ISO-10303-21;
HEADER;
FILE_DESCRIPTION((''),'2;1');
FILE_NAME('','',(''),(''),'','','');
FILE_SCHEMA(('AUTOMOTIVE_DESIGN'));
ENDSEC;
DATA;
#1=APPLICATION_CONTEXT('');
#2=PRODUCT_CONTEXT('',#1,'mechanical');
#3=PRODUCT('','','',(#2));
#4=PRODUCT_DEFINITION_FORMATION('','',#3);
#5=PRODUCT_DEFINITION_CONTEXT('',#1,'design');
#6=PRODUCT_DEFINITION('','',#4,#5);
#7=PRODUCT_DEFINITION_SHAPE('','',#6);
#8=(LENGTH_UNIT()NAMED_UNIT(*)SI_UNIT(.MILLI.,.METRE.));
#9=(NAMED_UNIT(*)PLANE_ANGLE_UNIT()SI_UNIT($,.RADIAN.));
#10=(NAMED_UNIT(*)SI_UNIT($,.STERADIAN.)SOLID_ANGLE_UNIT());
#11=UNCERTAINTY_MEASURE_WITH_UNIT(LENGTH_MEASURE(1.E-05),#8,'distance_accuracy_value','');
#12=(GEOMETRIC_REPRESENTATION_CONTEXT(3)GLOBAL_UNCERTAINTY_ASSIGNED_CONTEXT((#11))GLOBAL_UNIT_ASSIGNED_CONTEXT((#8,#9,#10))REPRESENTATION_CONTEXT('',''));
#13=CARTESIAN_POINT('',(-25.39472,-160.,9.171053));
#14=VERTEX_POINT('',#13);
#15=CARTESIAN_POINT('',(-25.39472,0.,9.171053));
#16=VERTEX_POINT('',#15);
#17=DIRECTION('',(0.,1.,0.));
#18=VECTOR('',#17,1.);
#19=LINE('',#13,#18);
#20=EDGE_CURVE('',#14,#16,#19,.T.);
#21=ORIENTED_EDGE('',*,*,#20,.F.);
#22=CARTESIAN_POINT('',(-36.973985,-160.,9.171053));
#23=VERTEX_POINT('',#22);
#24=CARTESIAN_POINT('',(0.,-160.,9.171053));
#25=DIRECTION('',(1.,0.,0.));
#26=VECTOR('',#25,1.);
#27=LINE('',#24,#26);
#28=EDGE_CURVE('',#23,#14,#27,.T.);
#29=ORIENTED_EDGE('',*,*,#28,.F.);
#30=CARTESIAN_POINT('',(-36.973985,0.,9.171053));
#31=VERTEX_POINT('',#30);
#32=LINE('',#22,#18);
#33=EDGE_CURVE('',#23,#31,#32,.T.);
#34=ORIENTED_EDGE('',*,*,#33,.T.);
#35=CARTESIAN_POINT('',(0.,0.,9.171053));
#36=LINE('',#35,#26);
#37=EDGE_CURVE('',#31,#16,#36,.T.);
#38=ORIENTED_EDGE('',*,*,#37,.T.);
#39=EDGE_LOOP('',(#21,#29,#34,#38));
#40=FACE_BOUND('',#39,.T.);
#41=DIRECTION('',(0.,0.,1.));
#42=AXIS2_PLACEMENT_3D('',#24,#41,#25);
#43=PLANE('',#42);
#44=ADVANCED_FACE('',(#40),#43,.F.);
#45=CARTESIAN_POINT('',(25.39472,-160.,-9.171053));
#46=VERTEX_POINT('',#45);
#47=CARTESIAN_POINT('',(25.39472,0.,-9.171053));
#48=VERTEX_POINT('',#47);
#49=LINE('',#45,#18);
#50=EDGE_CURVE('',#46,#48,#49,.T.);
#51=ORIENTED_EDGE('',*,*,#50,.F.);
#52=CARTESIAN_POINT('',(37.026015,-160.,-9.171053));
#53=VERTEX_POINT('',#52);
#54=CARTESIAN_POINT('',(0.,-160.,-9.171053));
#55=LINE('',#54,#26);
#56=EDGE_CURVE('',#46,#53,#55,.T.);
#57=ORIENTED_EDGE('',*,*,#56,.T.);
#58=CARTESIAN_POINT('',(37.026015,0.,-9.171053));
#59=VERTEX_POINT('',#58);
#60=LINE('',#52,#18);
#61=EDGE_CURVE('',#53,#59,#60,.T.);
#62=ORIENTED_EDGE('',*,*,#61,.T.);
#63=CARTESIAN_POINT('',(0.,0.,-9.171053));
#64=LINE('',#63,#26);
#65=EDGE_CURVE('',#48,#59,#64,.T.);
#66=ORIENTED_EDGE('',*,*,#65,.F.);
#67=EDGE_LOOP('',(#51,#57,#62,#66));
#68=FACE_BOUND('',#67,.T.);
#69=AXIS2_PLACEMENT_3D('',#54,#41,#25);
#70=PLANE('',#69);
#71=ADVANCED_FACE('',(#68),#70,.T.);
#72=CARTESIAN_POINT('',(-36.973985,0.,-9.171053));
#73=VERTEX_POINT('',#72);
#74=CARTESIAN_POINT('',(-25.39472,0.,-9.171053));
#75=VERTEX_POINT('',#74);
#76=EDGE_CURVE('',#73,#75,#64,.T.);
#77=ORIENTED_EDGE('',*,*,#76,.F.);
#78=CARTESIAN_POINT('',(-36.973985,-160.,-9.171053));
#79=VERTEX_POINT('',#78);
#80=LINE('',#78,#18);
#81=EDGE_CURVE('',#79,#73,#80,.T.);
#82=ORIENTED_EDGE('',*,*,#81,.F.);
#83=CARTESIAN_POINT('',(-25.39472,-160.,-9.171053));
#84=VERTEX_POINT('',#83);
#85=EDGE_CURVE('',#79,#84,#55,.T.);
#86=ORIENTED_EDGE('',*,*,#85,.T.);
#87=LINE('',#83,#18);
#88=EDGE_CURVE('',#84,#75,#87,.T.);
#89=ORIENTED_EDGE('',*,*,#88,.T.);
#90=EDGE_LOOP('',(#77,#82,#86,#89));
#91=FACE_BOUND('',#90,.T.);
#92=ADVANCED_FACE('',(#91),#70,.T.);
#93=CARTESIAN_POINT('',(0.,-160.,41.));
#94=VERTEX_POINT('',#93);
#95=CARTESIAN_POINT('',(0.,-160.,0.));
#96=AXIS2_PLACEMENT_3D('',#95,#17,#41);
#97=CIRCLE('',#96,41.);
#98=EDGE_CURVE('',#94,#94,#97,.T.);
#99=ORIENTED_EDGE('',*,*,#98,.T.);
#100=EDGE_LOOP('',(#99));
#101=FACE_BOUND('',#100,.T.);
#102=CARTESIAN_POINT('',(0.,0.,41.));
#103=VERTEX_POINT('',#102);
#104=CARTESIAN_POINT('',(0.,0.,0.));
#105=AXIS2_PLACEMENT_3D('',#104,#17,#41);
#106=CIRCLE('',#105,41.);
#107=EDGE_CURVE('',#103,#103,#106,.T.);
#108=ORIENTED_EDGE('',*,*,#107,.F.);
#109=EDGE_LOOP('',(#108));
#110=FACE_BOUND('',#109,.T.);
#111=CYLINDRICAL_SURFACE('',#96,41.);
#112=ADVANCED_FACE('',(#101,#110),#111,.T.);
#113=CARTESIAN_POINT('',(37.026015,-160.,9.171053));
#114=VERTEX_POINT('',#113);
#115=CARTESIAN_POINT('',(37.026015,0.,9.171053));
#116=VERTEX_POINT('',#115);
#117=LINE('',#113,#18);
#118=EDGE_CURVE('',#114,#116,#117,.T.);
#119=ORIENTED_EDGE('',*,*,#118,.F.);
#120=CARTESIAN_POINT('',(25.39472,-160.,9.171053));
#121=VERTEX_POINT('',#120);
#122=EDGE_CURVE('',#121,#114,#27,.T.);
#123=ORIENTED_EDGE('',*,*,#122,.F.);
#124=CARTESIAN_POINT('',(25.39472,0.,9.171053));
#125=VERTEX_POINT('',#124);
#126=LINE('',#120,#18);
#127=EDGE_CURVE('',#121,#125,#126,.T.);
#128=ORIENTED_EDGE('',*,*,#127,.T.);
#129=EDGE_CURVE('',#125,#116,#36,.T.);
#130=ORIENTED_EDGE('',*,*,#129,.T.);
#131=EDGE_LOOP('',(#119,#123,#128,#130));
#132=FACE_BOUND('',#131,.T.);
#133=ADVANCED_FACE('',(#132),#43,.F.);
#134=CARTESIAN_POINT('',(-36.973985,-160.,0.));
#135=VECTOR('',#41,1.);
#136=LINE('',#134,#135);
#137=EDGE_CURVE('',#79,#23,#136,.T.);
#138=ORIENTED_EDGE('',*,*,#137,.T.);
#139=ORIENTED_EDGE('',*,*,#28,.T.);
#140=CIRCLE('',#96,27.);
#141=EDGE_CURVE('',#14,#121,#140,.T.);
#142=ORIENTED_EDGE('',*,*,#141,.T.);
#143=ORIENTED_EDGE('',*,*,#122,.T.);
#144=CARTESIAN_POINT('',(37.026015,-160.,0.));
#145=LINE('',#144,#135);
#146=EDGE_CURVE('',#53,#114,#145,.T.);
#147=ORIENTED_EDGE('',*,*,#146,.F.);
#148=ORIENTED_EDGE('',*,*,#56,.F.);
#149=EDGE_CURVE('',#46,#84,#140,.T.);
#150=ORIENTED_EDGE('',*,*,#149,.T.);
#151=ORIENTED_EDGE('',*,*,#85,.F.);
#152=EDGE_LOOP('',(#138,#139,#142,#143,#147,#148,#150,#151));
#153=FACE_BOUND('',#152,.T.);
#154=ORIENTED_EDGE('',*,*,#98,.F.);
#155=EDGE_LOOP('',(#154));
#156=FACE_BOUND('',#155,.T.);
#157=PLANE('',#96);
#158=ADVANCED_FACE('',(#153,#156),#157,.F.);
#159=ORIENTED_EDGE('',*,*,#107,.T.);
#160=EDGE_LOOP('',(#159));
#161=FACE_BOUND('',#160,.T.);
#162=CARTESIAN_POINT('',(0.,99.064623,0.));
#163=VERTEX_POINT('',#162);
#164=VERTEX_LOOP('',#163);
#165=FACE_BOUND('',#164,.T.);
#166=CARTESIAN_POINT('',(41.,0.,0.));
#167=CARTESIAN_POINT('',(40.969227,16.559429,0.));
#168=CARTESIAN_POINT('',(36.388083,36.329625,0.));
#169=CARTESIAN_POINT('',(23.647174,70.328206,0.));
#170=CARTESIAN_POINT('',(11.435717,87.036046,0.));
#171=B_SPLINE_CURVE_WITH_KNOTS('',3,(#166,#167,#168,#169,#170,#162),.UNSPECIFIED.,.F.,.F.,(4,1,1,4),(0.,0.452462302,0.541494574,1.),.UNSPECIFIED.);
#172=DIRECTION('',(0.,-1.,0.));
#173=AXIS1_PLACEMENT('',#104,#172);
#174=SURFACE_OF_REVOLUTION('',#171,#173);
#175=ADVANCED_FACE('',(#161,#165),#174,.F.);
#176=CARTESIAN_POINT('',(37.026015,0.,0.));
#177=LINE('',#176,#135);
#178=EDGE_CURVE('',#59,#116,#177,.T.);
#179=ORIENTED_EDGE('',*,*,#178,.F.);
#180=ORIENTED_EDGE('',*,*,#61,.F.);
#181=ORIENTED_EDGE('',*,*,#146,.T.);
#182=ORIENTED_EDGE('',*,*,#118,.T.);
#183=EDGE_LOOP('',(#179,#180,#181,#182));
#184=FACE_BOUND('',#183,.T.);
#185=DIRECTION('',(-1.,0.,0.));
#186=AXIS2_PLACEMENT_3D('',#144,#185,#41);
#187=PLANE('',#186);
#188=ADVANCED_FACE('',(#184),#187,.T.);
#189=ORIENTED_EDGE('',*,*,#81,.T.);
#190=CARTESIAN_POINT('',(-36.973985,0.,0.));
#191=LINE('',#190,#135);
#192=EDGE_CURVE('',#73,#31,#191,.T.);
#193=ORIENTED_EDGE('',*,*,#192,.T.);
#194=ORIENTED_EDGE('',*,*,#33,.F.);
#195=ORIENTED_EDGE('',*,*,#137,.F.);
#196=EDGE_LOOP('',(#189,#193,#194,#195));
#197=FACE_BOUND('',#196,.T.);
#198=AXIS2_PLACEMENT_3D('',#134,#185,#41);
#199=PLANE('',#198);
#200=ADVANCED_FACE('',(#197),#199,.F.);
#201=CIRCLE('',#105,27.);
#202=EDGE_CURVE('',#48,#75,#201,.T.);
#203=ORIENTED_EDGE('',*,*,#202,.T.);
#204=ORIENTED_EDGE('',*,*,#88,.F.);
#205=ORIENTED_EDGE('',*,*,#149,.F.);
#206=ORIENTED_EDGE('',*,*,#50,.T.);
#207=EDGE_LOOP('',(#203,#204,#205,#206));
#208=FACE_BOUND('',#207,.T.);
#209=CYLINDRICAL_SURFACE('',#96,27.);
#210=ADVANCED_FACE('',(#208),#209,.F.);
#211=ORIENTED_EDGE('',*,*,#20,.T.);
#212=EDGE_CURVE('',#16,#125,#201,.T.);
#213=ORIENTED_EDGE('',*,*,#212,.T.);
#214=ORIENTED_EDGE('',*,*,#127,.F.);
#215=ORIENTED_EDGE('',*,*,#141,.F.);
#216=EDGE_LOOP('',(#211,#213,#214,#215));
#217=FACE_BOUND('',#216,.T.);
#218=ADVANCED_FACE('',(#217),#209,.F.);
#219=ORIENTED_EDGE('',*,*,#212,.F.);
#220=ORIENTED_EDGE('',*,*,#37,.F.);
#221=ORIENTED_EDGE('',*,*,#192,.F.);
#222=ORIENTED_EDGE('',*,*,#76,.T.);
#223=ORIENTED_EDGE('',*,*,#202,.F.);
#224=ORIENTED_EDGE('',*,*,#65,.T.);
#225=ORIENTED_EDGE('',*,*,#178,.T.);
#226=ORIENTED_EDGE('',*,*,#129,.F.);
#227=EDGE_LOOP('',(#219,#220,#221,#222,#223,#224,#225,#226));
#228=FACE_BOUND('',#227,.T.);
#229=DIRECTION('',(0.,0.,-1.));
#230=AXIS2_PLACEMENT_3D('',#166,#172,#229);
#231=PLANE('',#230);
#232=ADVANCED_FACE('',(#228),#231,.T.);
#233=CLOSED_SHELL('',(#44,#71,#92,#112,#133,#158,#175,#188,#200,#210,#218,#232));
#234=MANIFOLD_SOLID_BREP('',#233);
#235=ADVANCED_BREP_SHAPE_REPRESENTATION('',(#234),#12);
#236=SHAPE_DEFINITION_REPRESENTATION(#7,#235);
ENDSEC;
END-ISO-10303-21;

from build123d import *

# Parameters (mm, degrees)
BOSS_EXTRUDE1_DEPTH = 160


with BuildPart() as part:
    # Sketch1 → Boss-Extrude1 (new body)
    with BuildSketch(Plane(origin=(0, 0, 0), x_dir=(1, 0, 0), z_dir=(0, 1, 0))):
        with BuildLine():
            ThreePointArc((41, 0), (40.739454279, 4.61485266), (39.961128533, 9.171052632))
            Line((39.961128533, 9.171052632), (37.026014985, 9.171052632))
            Line((37.026014985, 9.171052632), (37.026014985, 0))
            Line((37.026014985, 0), (41, 0))
        make_face()
        with BuildLine():
            ThreePointArc((39.961128533, -9.171052632), (40.739454279, -4.61485266), (41, 0))
            Line((41, 0), (37.026014985, 0))
            Line((37.026014985, 0), (37.026014985, -9.171052632))
            Line((37.026014985, -9.171052632), (39.961128533, -9.171052632))
        make_face()
        with BuildLine():
            Line((-36.973985015, 0), (-41, 0))
            ThreePointArc((-41, 0), (-40.739454279, -4.61485266), (-39.961128533, -9.171052632))
            Line((-39.961128533, -9.171052632), (-36.973985015, -9.171052632))
            Line((-36.973985015, -9.171052632), (-36.973985015, 0))
        make_face()
        with BuildLine():
            Line((-25.394719798, -9.171052632), (-36.973985015, -9.171052632))
            Line((-36.973985015, -9.171052632), (-36.973985015, -17.717912748))
            ThreePointArc((-36.973985015, -17.717912748), (4.526915182, -40.74931949), (39.961128533, -9.171052632))
            Line((39.961128533, -9.171052632), (37.026014985, -9.171052632))
            Line((37.026014985, -9.171052632), (25.394719798, -9.171052632))
            ThreePointArc((25.394719798, -9.171052632), (0, -27), (-25.394719798, -9.171052632))
        make_face()
        with BuildLine():
            Line((-36.973985015, 9.171052632), (-39.961128533, 9.171052632))
            ThreePointArc((-39.961128533, 9.171052632), (-40.739454279, 4.61485266), (-41, 0))
            Line((-41, 0), (-36.973985015, 0))
            Line((-36.973985015, 0), (-36.973985015, 9.171052632))
        make_face()
        with BuildLine():
            ThreePointArc((39.961128533, 9.171052632), (0, 41), (-39.961128533, 9.171052632))
            Line((-39.961128533, 9.171052632), (-36.973985015, 9.171052632))
            Line((-36.973985015, 9.171052632), (-25.394719798, 9.171052632))
            ThreePointArc((-25.394719798, 9.171052632), (0, 27), (25.394719798, 9.171052632))
            Line((25.394719798, 9.171052632), (37.026014985, 9.171052632))
            Line((37.026014985, 9.171052632), (39.961128533, 9.171052632))
        make_face()
        with BuildLine():
            Line((-36.973985015, -9.171052632), (-39.961128533, -9.171052632))
            ThreePointArc((-39.961128533, -9.171052632), (-38.7042004, -13.527190078), (-36.973985015, -17.717912748))
            Line((-36.973985015, -17.717912748), (-36.973985015, -9.171052632))
        make_face()
    extrude(amount=-BOSS_EXTRUDE1_DEPTH)

    # Sketch2 → Revolve1 (revolve)
    with BuildSketch(Plane.XY):
        with BuildLine():
            Line((0, 0), (0, 99.064623465))
            add(Edge.make_bspline(
                [(0, 99.064623465), (11.435717322, 87.036046157), (23.647174069, 70.328206009), (36.388082529, 36.329625432), (40.969226805, 16.559428814), (41, 0)],
                knots=[0, 0, 0, 0, 0.458505426, 0.547537698, 1, 1, 1, 1], degree=3))
            Line((41, 0), (0, 0))
        make_face()
    revolve(axis=Axis((0, 0, 0), (0, 1, 0)))


solid = part.part
